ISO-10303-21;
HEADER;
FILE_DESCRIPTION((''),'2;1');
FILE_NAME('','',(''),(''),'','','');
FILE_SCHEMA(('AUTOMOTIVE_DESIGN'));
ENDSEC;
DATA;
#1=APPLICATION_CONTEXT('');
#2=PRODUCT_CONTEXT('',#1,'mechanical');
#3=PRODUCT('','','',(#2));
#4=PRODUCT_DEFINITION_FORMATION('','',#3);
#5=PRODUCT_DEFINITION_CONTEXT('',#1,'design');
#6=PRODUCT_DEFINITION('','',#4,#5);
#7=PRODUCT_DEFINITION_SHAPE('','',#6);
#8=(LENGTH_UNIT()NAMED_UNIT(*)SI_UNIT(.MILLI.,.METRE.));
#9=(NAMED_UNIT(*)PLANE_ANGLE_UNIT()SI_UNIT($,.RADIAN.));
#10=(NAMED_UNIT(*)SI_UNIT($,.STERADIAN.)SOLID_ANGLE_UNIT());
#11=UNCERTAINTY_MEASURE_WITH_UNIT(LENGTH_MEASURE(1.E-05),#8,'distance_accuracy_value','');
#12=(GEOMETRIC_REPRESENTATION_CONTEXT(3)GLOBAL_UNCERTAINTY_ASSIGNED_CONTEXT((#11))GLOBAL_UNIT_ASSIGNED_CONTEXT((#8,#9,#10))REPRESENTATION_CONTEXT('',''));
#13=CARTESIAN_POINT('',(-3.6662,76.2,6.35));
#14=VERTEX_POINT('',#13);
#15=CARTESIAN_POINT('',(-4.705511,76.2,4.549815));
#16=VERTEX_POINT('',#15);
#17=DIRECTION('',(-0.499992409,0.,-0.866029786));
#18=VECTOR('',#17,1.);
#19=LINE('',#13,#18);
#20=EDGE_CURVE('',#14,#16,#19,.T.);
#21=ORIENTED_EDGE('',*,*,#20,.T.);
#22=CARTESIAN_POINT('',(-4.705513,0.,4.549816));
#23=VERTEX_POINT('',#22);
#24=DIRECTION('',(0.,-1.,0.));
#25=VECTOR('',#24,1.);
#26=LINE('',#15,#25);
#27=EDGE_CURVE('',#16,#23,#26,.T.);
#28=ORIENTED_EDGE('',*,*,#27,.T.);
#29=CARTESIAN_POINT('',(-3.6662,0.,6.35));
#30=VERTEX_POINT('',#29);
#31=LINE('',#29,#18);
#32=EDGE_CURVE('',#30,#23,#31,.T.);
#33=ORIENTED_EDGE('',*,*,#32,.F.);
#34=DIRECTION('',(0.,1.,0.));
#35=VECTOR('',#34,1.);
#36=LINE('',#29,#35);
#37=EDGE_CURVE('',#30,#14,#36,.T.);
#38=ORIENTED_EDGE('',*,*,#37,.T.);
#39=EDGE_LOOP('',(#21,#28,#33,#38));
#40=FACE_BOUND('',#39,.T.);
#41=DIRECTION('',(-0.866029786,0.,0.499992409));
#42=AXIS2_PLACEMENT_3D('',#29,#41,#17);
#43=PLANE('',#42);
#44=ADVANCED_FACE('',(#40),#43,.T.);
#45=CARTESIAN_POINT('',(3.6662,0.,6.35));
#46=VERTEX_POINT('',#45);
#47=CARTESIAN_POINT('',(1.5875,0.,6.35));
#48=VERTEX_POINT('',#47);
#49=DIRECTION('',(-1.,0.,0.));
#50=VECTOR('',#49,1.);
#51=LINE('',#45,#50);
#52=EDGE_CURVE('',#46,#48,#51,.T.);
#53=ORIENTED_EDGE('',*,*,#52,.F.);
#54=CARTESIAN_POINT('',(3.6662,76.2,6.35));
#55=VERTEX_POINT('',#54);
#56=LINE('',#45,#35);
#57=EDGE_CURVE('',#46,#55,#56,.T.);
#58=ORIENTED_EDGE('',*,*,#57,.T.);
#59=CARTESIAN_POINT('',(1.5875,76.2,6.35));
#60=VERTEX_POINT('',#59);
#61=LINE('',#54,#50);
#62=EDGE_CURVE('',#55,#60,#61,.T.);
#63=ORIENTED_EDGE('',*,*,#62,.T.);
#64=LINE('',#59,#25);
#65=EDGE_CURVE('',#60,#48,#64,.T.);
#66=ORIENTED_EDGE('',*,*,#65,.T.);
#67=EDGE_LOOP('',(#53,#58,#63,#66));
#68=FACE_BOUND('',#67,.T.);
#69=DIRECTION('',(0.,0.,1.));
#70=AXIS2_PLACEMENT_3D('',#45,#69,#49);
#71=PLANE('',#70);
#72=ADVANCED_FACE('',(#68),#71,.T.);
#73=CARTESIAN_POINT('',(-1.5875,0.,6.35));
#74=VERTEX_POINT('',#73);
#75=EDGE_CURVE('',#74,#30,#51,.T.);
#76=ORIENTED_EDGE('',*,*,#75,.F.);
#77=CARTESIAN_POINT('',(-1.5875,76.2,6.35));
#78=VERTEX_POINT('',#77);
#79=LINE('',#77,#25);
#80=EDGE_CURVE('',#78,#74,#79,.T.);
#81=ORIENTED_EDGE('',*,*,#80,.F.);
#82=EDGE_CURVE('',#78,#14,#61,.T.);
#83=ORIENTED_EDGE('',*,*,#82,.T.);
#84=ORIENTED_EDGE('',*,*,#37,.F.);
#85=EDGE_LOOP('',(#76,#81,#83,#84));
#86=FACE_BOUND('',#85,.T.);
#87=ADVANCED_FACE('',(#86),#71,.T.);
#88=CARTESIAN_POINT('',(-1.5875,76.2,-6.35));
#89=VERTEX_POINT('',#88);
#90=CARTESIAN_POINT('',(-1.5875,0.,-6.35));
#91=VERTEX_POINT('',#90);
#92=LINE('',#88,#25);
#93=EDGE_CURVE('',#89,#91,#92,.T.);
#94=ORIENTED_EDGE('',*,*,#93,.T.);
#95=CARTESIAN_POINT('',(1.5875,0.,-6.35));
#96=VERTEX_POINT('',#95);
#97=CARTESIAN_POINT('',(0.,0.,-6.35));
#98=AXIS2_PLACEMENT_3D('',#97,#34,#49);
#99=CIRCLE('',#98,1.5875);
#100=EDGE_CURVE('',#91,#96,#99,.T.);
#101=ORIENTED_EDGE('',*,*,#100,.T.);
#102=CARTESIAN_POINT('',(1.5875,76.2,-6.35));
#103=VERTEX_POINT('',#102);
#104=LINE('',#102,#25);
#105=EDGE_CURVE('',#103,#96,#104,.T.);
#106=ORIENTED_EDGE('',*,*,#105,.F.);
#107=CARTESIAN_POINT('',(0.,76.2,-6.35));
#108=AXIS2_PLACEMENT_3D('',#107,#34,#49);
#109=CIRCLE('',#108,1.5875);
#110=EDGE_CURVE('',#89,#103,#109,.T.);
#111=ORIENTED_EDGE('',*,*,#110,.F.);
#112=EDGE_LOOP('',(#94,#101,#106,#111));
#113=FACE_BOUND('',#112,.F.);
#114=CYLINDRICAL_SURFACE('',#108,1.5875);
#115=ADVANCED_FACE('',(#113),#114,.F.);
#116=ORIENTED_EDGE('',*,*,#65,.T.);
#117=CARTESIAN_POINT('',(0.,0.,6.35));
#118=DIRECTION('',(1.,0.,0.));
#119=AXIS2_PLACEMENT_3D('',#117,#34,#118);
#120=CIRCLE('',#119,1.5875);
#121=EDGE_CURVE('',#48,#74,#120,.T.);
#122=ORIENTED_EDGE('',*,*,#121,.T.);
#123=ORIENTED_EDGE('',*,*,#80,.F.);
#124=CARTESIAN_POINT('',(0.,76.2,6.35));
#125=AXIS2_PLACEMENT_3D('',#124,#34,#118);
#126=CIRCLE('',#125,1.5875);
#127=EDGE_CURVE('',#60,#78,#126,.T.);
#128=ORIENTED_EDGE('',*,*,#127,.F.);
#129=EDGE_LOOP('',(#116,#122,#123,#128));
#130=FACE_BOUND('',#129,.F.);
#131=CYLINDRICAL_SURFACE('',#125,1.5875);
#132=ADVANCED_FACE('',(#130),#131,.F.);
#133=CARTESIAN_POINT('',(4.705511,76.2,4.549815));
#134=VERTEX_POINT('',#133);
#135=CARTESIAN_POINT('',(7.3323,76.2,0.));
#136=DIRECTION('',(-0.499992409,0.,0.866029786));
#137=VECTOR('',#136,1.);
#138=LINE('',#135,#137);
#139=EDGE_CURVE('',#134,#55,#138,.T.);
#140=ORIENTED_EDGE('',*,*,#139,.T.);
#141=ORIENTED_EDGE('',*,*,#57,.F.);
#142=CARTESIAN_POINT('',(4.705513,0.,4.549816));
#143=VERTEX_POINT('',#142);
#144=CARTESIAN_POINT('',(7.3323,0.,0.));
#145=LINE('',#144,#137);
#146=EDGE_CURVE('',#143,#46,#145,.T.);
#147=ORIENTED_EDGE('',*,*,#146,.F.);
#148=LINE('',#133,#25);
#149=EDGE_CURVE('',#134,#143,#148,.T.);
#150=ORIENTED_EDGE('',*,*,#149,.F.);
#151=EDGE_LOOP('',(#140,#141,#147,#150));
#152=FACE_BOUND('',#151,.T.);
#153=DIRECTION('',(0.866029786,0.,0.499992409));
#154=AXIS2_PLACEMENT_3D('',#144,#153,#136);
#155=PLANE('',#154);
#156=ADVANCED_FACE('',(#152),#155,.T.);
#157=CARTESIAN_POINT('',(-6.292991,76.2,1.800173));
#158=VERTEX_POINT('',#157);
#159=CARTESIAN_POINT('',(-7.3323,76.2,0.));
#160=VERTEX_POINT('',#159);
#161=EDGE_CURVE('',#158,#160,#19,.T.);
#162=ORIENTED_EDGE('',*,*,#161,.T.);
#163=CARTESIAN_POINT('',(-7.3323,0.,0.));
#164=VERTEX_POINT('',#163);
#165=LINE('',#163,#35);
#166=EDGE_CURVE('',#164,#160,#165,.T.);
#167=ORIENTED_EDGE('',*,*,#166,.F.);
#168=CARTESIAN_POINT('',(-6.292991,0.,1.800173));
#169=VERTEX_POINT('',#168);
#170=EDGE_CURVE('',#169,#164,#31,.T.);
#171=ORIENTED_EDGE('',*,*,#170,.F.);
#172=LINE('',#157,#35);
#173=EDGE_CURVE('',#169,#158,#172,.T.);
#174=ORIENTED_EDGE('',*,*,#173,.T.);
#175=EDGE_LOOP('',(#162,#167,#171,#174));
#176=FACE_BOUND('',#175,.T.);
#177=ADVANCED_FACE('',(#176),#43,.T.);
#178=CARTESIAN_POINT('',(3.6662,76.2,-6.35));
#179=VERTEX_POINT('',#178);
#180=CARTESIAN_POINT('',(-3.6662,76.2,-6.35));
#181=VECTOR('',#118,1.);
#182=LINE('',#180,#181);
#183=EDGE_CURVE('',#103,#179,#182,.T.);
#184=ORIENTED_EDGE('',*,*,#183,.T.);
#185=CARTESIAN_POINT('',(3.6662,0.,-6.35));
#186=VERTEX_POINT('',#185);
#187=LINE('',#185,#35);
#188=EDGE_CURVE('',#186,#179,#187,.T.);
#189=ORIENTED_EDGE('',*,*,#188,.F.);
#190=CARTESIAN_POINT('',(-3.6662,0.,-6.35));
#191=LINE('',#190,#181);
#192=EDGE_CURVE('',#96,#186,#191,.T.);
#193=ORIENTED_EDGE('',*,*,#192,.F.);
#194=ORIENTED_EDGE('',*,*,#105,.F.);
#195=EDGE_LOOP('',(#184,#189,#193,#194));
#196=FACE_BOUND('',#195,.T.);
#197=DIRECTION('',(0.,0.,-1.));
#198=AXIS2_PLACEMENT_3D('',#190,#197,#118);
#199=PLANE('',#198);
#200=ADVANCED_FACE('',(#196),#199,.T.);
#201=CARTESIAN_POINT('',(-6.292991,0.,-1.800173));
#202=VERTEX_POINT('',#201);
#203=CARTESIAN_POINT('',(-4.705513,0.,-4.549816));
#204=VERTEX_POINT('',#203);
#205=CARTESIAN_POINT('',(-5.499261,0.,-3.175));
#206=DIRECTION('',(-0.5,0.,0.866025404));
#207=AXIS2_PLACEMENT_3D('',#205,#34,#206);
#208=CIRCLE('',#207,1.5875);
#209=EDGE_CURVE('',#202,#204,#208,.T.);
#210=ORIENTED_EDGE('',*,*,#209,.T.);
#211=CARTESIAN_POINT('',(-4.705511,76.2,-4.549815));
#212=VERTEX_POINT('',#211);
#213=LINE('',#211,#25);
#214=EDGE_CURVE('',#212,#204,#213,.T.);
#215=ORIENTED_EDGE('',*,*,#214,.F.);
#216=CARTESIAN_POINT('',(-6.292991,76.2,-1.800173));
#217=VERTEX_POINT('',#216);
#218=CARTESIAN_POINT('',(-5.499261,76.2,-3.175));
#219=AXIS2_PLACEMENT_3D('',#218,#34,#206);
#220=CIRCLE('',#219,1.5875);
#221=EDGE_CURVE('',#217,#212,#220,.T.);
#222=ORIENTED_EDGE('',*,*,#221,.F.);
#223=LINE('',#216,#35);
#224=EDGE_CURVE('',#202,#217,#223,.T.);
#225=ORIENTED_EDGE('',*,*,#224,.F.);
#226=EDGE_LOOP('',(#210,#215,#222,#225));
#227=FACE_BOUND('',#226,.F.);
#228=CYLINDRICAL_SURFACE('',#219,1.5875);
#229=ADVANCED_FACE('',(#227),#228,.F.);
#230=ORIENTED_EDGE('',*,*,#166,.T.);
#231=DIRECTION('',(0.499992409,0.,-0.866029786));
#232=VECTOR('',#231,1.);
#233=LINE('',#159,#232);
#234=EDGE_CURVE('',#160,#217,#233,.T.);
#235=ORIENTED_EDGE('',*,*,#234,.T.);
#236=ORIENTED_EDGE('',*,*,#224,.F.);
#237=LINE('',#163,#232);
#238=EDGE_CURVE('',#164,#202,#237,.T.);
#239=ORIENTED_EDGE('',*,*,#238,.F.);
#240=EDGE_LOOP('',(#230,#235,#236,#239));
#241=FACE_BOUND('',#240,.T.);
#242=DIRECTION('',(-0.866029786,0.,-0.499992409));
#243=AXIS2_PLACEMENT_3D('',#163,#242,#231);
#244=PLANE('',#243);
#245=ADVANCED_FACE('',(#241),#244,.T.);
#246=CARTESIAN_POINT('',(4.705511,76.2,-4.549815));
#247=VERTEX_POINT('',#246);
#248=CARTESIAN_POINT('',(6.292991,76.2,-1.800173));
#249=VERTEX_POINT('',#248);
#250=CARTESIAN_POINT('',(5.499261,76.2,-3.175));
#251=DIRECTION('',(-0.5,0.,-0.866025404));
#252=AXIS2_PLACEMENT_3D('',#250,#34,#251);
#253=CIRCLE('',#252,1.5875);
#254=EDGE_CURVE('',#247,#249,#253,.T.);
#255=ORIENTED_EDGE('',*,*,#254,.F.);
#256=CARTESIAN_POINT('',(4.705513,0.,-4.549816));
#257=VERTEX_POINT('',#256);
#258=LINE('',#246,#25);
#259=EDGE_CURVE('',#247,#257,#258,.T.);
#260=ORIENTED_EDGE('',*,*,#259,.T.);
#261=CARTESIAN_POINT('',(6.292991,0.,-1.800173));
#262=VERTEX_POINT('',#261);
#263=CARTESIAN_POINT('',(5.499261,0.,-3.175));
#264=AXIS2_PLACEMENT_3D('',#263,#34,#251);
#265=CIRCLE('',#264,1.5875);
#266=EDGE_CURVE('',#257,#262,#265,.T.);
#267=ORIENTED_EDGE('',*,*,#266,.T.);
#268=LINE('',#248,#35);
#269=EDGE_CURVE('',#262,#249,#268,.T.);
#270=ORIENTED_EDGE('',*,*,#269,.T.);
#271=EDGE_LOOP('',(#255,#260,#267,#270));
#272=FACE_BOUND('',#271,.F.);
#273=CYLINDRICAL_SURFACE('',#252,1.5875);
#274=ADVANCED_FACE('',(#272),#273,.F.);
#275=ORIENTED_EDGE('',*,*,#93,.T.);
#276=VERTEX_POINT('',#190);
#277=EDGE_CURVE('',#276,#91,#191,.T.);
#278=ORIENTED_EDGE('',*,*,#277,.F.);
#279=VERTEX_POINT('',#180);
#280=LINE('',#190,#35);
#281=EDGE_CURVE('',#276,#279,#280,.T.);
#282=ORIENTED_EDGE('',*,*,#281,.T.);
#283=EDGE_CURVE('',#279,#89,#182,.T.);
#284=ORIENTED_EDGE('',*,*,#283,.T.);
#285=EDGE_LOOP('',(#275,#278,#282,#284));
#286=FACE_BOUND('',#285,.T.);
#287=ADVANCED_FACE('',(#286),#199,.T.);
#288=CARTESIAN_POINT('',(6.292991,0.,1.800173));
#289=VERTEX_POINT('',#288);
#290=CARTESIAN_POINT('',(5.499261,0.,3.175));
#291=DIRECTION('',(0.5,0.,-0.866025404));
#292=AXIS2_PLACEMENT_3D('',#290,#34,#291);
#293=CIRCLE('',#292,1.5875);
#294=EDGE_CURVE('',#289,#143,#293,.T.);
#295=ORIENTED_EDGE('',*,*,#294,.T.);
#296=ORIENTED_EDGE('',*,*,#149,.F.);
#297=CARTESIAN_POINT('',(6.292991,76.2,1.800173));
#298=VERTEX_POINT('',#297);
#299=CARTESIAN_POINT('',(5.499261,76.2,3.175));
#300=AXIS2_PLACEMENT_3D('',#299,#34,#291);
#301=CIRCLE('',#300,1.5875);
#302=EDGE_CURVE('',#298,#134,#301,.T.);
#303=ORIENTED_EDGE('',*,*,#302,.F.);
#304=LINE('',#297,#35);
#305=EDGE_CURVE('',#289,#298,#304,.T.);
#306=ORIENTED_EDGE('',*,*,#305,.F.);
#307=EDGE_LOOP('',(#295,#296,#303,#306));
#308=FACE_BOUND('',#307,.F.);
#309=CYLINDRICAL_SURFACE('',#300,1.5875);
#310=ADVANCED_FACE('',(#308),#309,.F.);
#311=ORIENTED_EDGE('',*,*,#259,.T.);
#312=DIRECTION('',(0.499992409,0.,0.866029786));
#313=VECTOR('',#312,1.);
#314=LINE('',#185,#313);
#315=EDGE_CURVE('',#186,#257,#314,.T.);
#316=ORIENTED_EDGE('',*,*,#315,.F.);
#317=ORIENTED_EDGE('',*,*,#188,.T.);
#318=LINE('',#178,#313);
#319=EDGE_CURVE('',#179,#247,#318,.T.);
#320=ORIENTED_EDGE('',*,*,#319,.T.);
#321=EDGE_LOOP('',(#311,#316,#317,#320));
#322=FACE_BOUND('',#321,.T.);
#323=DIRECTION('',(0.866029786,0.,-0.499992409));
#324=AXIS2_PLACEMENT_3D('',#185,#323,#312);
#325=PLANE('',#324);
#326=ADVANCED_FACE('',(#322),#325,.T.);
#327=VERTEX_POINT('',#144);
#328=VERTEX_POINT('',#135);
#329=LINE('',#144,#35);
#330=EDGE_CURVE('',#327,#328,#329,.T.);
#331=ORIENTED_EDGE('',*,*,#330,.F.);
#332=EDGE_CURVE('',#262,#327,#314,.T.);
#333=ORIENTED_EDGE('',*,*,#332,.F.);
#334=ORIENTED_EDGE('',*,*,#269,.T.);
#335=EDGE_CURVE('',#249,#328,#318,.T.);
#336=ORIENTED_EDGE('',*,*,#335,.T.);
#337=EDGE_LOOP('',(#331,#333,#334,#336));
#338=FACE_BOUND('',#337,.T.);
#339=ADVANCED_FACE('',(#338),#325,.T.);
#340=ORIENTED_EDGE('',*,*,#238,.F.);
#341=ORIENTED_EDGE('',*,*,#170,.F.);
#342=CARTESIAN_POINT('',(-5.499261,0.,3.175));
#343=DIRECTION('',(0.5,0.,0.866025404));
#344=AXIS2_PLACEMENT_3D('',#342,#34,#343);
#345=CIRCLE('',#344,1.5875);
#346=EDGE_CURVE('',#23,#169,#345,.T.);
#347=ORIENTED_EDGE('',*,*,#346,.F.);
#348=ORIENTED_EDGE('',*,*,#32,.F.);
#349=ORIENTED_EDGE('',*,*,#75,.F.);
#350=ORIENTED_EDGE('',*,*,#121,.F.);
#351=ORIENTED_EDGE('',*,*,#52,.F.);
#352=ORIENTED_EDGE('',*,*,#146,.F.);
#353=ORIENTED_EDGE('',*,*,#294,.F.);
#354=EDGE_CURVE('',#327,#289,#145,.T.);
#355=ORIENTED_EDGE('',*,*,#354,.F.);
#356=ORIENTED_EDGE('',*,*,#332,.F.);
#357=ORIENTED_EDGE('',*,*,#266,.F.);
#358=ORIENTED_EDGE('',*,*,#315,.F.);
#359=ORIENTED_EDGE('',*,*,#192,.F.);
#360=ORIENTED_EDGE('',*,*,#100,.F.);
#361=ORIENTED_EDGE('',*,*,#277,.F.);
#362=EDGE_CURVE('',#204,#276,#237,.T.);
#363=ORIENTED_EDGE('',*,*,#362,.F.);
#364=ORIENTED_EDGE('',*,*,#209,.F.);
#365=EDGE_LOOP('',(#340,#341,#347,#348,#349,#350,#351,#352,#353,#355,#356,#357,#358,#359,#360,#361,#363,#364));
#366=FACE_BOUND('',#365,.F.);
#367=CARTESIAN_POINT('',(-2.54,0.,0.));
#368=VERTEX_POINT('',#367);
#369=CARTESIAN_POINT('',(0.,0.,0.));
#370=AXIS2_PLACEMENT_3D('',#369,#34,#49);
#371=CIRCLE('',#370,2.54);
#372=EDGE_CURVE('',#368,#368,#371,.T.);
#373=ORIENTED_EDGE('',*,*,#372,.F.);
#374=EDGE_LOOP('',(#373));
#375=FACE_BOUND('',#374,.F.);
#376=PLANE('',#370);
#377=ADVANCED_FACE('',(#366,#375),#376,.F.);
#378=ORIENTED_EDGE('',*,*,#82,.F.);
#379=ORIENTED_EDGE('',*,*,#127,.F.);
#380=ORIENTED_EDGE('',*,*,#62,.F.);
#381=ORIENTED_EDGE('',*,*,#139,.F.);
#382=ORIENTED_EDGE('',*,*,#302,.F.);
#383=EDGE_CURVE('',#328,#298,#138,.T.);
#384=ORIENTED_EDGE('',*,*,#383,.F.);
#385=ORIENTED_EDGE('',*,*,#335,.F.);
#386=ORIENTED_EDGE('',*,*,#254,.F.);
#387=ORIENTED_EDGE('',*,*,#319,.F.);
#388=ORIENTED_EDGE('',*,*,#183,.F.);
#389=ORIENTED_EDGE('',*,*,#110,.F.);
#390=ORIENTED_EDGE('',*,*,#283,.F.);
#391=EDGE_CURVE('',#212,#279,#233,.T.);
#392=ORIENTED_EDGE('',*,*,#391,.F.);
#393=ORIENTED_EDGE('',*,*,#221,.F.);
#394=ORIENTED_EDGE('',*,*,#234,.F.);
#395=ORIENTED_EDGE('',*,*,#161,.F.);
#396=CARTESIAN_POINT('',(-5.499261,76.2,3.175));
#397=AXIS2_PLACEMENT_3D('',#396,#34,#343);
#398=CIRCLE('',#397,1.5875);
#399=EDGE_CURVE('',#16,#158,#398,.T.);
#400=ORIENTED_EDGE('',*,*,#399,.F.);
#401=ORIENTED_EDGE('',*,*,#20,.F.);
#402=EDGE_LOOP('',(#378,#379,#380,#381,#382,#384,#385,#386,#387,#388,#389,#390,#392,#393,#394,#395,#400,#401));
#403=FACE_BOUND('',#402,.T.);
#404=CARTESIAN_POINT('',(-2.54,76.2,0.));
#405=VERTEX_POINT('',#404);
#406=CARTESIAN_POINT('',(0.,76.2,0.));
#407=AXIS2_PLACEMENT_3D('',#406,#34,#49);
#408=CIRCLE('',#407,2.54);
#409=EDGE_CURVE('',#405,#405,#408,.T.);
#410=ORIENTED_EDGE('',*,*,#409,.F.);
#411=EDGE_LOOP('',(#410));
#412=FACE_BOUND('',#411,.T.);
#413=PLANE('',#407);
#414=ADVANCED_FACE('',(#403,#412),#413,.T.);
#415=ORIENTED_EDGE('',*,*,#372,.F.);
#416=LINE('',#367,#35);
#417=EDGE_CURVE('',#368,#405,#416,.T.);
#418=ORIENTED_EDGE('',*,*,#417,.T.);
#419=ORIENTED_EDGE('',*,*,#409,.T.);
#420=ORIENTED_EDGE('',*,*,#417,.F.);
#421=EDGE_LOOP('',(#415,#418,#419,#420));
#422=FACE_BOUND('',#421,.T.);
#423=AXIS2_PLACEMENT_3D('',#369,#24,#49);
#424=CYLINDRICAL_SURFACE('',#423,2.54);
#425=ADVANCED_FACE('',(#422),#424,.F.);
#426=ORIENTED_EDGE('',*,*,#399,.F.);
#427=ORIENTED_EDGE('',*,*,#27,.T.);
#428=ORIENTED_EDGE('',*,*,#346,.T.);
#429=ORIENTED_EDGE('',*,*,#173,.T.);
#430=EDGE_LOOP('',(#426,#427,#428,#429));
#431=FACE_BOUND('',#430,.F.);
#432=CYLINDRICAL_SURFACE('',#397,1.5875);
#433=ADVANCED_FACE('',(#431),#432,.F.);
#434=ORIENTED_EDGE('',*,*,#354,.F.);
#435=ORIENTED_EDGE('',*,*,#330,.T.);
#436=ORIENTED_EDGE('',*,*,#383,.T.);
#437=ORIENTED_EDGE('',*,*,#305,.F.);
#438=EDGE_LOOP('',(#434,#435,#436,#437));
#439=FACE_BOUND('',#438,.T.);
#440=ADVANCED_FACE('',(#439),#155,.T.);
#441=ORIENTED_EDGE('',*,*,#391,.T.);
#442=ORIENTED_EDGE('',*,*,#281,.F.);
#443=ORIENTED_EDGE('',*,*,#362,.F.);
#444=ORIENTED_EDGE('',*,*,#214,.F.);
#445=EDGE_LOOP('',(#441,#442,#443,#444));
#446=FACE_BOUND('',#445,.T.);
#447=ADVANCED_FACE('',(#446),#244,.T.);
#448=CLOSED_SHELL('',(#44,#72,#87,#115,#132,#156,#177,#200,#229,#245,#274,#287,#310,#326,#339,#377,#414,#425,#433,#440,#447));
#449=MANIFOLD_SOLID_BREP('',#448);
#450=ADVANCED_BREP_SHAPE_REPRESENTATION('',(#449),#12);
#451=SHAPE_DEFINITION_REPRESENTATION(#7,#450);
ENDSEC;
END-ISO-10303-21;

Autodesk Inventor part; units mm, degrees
ref_plane "YZ Plane" through (0, 0, 0) normal (1, 0, 0) x (0, 1, 0)
ref_plane "XZ Plane" through (0, 0, 0) normal (0, 1, 0) x (-1, 0, 0)
ref_plane "XY Plane" through (0, 0, 0) normal (0, 0, 1) x (1, 0, 0)
sketch "Sketch1" plane through (0, 0, 0) normal (0, 1, 0) x (-1, 0, 0)
  line L0 (-3.6662, 6.35) -> (3.6662, 6.35)
  line L1 (3.6662, 6.35) -> (7.3323, 0)
  line L2 (7.3323, 0) -> (3.6662, -6.35)
  line L3 (3.6662, -6.35) -> (-3.6662, -6.35)
  line L4 (-3.6662, -6.35) -> (-7.3323, 0)
  line L5 (-7.3323, 0) -> (-3.6662, 6.35)
  circle A0 centre (0, 0) radius 2.54
  dimension "d0" = 12.7
  dimension "d1" = 5.08
extrude "Extrusion1" add sketch "Sketch1" along normal blind 76.2
sketch "Sketch2" plane through (0, 76.2, 0) normal (0, 1, 0) x (1, 0, 0)
  line L0 (-3.6662, 6.35) -> (3.6662, 6.35) projected
  arc A0 (-1.5875, 6.35) -> (1.5875, 6.35) centre (0, 6.35) ccw
  line L1 (-1.5875, 6.35) -> (1.5875, 6.35)
  dimension "d4" = 1.5875
extrude "Extrusion2" cut sketch "Sketch2" against normal through all
pattern_circular "Circular Pattern1" count 6 over 360 about axis through (0, 0, 0) along (0, 1, 0) of "Extrusion2"
properties part number "BatteryStandoff" material "Aluminum-6061"
